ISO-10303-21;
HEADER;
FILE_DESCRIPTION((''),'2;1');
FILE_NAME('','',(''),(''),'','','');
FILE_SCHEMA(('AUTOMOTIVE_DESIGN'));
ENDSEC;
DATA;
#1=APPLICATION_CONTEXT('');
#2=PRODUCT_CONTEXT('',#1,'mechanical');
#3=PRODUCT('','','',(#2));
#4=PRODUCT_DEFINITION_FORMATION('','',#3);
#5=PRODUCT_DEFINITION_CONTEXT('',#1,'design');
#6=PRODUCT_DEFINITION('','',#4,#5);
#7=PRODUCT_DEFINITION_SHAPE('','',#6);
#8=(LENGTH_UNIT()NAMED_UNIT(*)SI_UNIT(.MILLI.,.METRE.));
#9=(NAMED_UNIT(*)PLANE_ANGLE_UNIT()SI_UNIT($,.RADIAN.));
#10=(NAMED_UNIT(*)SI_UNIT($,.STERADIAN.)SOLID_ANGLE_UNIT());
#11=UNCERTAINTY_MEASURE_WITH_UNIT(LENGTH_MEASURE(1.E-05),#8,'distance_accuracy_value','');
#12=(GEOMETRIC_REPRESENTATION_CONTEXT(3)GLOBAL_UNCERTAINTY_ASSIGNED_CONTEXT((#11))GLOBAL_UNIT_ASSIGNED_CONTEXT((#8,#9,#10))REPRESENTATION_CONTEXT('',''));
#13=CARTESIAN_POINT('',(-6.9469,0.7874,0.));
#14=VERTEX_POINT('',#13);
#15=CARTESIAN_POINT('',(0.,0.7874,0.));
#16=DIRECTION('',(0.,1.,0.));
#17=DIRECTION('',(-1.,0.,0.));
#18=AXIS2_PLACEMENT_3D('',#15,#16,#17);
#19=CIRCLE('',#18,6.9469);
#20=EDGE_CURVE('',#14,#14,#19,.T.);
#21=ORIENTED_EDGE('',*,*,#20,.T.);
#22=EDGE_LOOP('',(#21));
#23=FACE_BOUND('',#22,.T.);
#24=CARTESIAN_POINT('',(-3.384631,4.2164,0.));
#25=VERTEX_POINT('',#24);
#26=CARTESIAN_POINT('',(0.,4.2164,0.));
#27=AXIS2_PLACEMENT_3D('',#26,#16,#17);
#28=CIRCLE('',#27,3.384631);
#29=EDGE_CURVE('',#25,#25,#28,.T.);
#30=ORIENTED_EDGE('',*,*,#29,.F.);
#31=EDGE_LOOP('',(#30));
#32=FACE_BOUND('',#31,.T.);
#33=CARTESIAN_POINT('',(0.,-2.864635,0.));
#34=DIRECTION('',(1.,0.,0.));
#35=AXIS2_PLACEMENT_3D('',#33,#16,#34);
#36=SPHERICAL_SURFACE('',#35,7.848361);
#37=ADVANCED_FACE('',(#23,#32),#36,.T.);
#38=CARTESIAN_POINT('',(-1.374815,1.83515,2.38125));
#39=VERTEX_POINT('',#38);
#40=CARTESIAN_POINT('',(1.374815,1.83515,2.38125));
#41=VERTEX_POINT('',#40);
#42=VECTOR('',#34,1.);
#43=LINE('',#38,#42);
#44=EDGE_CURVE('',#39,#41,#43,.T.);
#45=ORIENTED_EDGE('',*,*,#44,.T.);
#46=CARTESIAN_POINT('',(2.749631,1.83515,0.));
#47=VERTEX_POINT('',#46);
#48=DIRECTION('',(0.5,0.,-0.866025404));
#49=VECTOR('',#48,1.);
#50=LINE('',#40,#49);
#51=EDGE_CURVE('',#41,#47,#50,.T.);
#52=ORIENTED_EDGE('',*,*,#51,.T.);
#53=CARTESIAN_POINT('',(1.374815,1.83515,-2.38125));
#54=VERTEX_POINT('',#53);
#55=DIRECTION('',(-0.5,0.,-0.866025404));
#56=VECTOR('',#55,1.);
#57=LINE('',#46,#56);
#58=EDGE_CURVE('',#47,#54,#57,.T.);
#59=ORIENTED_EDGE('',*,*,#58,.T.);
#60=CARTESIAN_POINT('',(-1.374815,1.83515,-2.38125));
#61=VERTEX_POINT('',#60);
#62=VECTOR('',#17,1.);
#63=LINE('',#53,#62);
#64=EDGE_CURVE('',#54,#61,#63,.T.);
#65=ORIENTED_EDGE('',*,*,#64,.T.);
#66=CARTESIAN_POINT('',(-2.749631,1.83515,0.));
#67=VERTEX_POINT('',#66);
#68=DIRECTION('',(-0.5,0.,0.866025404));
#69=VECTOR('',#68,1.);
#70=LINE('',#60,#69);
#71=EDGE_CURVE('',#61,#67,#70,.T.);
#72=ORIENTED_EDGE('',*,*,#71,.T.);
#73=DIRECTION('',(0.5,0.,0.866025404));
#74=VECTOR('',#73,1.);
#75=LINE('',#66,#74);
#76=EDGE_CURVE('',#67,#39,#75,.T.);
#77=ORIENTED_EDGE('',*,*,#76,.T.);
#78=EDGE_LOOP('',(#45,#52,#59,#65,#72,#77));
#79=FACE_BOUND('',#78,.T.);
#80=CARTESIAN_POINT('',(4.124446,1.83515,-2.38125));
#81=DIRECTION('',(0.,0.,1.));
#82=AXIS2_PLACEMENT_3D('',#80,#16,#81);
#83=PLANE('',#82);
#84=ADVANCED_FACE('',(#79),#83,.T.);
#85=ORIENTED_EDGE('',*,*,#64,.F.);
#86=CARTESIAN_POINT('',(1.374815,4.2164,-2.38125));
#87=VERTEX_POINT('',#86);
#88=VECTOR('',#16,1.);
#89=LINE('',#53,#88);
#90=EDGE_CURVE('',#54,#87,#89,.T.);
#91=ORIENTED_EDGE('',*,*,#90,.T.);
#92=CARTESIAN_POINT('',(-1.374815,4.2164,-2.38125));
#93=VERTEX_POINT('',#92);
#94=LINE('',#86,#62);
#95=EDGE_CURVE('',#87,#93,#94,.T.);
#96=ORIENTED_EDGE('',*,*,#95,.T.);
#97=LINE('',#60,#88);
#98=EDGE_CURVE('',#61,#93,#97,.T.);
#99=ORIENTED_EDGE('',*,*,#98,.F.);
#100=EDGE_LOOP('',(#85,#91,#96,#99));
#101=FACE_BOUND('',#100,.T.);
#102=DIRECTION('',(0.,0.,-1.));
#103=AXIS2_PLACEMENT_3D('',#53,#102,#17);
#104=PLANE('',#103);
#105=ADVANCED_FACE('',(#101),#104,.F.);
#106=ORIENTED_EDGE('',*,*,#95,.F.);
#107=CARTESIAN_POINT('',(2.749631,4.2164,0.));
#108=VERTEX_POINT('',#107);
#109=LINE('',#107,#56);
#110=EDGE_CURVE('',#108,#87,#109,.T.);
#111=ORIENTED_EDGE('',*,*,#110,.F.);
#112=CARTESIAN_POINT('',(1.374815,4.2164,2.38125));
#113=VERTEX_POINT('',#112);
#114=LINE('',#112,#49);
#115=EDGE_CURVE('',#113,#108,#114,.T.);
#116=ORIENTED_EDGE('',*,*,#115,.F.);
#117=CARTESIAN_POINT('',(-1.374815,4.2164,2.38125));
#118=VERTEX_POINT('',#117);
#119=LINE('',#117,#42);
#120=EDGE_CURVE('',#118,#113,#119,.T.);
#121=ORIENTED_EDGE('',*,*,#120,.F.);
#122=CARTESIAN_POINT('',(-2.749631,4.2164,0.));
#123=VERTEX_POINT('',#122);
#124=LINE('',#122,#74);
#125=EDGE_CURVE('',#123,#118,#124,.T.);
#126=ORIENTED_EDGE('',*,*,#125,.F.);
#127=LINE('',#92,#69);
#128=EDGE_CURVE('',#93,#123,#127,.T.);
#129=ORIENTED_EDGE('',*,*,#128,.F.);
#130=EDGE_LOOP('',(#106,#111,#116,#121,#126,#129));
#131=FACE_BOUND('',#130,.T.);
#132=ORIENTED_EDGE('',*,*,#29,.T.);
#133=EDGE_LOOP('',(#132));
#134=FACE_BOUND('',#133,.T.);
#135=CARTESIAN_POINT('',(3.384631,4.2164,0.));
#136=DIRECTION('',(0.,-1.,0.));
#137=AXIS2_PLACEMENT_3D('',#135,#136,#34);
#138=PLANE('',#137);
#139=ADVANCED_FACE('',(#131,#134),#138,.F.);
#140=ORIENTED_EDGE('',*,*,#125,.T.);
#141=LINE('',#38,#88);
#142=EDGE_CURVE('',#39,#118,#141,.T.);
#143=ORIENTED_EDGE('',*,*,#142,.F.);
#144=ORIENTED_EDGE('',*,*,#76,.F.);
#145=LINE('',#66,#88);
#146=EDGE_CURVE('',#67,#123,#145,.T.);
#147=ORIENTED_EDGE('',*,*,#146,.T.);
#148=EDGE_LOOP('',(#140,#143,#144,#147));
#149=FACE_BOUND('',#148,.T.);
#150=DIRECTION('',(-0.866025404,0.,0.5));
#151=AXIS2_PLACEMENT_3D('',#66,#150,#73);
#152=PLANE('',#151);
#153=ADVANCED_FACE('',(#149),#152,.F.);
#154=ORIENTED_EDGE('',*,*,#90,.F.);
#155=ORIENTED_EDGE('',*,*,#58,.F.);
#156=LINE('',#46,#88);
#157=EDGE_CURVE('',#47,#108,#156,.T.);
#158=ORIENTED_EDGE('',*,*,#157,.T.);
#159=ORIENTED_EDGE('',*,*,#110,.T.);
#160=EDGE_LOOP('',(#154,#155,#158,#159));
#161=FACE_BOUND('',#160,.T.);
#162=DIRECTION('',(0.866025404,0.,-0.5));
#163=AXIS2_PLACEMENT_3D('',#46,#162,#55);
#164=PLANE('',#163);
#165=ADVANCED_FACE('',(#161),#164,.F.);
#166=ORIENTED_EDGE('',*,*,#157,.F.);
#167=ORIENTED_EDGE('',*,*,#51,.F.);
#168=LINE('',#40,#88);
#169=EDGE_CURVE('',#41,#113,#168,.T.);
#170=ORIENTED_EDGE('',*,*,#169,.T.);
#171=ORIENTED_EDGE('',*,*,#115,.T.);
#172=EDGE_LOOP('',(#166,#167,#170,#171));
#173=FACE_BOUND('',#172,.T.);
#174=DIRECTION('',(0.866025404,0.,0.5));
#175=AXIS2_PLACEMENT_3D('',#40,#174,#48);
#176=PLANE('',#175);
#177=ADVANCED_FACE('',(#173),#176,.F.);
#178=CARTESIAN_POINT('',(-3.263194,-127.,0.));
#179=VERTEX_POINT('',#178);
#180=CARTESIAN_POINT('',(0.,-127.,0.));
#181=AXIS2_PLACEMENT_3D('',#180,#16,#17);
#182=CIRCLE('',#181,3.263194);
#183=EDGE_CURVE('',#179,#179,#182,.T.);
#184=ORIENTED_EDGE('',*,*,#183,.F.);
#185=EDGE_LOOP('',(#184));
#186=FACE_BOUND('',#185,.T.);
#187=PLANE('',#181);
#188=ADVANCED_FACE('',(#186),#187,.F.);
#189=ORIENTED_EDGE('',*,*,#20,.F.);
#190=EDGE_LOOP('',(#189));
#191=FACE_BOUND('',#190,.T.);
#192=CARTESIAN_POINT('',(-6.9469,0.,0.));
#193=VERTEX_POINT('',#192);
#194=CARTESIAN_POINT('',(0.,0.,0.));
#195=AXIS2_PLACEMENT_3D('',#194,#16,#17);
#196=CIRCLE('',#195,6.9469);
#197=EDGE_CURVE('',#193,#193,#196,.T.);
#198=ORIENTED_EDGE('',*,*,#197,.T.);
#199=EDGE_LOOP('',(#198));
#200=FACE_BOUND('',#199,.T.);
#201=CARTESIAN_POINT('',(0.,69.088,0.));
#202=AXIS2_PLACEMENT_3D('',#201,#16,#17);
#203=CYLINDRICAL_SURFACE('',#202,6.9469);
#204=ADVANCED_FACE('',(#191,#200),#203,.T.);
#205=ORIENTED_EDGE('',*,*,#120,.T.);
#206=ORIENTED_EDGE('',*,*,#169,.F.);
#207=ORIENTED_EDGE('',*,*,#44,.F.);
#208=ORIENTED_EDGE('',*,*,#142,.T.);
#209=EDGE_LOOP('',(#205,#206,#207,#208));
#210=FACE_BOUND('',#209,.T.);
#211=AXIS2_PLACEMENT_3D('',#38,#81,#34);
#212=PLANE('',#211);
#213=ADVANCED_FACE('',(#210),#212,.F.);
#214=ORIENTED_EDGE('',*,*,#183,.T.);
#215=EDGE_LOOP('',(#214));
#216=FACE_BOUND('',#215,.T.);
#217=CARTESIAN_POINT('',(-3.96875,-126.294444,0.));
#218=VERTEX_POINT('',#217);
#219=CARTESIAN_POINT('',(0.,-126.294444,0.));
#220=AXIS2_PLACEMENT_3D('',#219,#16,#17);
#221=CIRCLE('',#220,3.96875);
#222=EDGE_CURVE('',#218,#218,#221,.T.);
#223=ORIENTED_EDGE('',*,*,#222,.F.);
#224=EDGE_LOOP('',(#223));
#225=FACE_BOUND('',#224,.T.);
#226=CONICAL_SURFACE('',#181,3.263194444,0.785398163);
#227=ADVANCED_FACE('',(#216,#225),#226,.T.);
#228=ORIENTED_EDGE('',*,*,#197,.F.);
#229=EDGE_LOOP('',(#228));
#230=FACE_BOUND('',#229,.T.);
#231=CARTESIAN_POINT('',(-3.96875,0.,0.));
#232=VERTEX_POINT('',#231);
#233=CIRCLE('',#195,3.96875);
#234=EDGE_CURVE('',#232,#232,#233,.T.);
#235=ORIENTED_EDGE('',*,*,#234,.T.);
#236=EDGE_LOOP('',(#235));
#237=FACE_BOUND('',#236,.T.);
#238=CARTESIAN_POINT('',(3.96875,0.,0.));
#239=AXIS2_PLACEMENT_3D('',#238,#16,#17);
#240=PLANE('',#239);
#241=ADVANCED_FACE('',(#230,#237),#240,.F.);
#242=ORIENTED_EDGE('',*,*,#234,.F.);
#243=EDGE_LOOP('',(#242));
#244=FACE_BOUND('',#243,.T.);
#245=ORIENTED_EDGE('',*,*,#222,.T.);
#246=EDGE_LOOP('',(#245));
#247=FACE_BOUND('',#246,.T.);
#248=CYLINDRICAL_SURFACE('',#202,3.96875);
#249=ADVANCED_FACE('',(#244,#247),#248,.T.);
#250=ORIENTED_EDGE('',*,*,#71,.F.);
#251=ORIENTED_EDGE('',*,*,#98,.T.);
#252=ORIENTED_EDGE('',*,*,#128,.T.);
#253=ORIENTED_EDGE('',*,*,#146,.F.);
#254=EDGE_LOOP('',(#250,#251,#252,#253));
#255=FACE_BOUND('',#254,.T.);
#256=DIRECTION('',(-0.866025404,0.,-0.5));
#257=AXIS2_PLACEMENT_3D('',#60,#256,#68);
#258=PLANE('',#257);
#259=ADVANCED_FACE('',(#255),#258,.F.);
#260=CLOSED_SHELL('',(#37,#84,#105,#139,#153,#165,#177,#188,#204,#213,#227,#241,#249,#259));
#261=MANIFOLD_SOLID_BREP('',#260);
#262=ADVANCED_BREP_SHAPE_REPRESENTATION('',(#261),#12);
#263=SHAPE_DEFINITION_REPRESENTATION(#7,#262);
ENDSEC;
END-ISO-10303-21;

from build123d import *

# Parameters (mm, degrees)
CUT_EXTRUDE1_DEPTH = 2.38125


with BuildPart() as part:
    # Sketch1 → Base-Revolve (revolve)
    with BuildSketch(Plane.XY):
        with BuildLine():
            Line((0, -127), (3.263194444, -127))
            Line((3.263194444, -127), (3.96875, -126.294444444))
            Line((3.96875, -126.294444444), (3.96875, 0))
            Line((3.96875, 0), (6.9469, 0))
            Line((6.9469, 0), (6.9469, 0.7874))
            ThreePointArc((6.9469, 0.7874), (5.442852348, 2.789756108), (3.384630657, 4.2164))
            Line((3.384630657, 4.2164), (0, 4.2164))
            Line((0, 4.2164), (0, -127))
        make_face()
    revolve(axis=Axis((0, 69.088, 0), (0, -1, 0)))

    # Sketch2 → Cut-Extrude1 (cut)
    with BuildSketch(Plane(origin=(0, 4.2164, 0), x_dir=(-1, 0, 0), z_dir=(0, 1, 0))):
        Polygon((-2.749630657, 0), (-1.374815329, -2.38125), (1.374815329, -2.38125), (2.749630657, 0), (1.374815329, 2.38125), (-1.374815329, 2.38125), align=None)
    extrude(amount=-CUT_EXTRUDE1_DEPTH, mode=Mode.SUBTRACT)


solid = part.part
